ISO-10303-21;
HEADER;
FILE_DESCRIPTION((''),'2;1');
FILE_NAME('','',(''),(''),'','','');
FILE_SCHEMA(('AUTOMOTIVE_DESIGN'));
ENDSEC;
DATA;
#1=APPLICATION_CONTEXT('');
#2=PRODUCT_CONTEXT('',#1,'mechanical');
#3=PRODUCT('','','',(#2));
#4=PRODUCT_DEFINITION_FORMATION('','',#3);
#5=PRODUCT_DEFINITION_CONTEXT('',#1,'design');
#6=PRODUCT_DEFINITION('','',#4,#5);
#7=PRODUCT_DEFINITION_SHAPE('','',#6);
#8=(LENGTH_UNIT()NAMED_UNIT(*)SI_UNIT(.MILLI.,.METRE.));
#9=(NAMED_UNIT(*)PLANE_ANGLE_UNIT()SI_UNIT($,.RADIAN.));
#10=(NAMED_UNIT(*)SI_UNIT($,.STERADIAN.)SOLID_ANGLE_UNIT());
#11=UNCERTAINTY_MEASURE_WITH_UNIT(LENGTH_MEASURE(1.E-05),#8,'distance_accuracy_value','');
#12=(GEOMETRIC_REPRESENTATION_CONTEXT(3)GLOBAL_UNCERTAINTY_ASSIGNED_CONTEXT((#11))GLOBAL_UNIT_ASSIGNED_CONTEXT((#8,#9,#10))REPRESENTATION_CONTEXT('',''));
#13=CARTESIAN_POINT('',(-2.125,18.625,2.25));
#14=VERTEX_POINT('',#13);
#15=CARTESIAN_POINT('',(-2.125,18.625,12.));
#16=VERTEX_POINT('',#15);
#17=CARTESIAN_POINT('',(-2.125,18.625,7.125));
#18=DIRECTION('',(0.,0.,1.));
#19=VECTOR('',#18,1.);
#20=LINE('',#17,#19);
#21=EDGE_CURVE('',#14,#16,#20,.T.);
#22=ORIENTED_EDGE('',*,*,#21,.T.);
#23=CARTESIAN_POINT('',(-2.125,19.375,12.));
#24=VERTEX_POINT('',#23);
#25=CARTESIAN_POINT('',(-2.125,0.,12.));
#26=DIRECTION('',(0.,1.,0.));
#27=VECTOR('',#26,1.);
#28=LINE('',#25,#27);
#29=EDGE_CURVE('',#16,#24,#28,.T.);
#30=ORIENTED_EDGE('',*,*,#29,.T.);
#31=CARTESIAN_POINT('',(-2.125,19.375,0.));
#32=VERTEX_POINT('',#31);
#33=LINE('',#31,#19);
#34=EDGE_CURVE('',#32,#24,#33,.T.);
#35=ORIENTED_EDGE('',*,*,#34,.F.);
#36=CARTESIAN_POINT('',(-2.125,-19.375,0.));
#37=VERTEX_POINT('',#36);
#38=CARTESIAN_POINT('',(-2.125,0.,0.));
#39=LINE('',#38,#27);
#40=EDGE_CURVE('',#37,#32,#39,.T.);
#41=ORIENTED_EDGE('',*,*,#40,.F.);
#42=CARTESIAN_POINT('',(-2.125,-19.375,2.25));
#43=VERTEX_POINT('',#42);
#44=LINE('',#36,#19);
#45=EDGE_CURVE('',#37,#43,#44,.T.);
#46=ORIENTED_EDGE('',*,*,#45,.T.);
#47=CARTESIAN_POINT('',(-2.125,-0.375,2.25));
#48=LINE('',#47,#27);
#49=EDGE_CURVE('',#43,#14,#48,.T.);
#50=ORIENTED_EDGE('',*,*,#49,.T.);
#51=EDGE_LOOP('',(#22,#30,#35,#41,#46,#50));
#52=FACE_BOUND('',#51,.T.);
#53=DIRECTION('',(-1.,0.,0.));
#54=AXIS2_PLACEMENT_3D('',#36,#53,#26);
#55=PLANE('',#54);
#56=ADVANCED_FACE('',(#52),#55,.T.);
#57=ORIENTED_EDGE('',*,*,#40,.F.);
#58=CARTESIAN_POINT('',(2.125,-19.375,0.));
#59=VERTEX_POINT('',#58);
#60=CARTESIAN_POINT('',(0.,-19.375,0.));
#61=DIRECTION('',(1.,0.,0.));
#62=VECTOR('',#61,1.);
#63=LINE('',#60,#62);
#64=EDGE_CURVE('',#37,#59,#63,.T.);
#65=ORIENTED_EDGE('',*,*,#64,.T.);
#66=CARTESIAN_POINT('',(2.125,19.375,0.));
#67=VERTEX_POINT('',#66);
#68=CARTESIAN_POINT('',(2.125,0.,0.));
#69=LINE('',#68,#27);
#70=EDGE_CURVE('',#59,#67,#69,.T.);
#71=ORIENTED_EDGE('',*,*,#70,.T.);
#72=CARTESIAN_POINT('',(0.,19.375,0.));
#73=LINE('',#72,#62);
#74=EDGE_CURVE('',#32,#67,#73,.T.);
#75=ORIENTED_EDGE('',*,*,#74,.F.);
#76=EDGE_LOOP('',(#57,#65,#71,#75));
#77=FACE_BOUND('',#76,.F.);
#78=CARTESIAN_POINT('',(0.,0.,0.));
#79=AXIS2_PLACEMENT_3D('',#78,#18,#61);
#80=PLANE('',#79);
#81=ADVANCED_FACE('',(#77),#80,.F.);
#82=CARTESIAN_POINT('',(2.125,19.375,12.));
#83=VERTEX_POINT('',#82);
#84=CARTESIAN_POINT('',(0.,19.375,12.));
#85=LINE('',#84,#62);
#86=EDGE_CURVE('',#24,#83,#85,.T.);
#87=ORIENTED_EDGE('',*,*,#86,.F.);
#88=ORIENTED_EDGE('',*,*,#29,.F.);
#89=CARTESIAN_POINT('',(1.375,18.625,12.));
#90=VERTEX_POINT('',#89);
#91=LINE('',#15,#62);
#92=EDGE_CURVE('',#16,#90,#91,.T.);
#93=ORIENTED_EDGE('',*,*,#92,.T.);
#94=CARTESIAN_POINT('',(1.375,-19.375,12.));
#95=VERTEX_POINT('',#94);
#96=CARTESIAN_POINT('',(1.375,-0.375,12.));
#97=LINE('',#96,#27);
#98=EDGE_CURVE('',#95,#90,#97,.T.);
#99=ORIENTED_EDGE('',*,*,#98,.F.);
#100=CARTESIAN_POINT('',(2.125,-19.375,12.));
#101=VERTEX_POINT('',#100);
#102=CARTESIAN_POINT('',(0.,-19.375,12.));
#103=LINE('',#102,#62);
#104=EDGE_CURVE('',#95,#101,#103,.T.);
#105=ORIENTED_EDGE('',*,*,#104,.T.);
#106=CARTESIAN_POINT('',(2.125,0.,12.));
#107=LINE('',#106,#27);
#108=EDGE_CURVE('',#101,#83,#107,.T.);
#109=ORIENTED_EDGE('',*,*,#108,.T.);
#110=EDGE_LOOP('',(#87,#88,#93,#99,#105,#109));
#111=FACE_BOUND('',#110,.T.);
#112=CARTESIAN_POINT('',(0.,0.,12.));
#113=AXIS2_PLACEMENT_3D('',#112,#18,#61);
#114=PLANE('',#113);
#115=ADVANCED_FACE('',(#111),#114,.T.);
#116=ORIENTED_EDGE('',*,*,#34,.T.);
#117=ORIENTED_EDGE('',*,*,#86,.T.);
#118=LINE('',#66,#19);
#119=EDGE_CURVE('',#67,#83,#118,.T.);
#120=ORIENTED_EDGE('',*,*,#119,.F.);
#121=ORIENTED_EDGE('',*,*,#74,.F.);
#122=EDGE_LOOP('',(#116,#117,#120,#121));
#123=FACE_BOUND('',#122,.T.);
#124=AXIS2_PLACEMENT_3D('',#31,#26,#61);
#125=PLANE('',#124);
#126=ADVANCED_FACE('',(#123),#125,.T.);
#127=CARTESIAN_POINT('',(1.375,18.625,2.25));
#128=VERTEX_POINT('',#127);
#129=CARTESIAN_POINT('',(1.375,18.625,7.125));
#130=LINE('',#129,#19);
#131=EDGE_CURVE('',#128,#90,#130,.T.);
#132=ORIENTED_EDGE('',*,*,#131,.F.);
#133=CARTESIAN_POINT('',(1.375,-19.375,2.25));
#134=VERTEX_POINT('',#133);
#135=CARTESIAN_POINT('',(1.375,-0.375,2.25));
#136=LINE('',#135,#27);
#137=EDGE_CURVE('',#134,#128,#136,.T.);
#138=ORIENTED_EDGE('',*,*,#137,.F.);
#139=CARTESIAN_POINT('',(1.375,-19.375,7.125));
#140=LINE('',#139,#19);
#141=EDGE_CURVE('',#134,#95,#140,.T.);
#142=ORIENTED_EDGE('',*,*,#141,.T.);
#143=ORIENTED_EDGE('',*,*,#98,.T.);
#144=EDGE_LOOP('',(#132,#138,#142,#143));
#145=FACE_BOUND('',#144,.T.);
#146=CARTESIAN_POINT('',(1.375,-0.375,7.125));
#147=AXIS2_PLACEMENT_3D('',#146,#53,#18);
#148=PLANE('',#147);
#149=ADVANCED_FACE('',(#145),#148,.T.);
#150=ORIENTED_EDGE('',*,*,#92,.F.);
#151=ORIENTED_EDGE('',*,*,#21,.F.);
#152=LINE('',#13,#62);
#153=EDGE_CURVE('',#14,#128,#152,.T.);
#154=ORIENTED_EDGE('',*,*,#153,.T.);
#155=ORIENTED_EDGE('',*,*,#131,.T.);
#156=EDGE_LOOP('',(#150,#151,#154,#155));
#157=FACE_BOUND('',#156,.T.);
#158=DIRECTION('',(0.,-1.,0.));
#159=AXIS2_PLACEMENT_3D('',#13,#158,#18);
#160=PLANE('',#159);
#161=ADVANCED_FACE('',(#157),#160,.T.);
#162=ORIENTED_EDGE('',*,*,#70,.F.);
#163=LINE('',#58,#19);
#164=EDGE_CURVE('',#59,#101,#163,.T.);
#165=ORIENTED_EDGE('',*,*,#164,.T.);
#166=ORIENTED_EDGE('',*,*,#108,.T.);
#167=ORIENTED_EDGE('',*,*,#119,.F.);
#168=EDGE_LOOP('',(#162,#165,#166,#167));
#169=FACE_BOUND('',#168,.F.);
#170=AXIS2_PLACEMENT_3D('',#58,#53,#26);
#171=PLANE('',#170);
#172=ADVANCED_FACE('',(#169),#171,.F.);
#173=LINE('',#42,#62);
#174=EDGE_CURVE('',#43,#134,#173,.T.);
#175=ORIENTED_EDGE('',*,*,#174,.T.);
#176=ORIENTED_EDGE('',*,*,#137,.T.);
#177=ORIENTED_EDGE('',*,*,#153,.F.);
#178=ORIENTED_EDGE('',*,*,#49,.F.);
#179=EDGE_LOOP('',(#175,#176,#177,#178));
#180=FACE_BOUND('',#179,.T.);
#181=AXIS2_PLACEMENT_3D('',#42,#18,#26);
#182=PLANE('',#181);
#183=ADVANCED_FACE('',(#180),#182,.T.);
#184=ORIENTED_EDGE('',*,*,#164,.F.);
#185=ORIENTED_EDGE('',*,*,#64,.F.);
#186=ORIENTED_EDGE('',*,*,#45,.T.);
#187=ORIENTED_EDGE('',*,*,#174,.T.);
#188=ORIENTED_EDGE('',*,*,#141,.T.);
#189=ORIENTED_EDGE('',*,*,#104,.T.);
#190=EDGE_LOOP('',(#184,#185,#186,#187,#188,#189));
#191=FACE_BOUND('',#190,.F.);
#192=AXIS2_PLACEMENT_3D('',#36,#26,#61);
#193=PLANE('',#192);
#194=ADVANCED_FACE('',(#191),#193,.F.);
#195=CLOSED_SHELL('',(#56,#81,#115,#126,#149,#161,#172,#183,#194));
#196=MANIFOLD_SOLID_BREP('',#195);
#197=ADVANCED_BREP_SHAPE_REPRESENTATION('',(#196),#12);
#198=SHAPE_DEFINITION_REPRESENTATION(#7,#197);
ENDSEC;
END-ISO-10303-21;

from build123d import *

# Parameters (mm, degrees)
SKETCH1_W           = 4.25
SKETCH1_H           = 38.75
BOSS_EXTRUDE1_DEPTH = 12
SKETCH2_W           = 9.75
SKETCH2_H           = 38
CUT_EXTRUDE1_DEPTH  = 3.5


with BuildPart() as part:
    # Sketch1 → Boss-Extrude1 (new body)
    with BuildSketch(Plane.XY):
        Rectangle(SKETCH1_W, SKETCH1_H)
    extrude(amount=BOSS_EXTRUDE1_DEPTH)

    # Sketch2 → Cut-Extrude1 (cut)
    with BuildSketch(Plane.ZY.offset(2.125)):
        with Locations((7.125, -0.375)):
            Rectangle(SKETCH2_W, SKETCH2_H)
    extrude(amount=-CUT_EXTRUDE1_DEPTH, mode=Mode.SUBTRACT)


solid = part.part
